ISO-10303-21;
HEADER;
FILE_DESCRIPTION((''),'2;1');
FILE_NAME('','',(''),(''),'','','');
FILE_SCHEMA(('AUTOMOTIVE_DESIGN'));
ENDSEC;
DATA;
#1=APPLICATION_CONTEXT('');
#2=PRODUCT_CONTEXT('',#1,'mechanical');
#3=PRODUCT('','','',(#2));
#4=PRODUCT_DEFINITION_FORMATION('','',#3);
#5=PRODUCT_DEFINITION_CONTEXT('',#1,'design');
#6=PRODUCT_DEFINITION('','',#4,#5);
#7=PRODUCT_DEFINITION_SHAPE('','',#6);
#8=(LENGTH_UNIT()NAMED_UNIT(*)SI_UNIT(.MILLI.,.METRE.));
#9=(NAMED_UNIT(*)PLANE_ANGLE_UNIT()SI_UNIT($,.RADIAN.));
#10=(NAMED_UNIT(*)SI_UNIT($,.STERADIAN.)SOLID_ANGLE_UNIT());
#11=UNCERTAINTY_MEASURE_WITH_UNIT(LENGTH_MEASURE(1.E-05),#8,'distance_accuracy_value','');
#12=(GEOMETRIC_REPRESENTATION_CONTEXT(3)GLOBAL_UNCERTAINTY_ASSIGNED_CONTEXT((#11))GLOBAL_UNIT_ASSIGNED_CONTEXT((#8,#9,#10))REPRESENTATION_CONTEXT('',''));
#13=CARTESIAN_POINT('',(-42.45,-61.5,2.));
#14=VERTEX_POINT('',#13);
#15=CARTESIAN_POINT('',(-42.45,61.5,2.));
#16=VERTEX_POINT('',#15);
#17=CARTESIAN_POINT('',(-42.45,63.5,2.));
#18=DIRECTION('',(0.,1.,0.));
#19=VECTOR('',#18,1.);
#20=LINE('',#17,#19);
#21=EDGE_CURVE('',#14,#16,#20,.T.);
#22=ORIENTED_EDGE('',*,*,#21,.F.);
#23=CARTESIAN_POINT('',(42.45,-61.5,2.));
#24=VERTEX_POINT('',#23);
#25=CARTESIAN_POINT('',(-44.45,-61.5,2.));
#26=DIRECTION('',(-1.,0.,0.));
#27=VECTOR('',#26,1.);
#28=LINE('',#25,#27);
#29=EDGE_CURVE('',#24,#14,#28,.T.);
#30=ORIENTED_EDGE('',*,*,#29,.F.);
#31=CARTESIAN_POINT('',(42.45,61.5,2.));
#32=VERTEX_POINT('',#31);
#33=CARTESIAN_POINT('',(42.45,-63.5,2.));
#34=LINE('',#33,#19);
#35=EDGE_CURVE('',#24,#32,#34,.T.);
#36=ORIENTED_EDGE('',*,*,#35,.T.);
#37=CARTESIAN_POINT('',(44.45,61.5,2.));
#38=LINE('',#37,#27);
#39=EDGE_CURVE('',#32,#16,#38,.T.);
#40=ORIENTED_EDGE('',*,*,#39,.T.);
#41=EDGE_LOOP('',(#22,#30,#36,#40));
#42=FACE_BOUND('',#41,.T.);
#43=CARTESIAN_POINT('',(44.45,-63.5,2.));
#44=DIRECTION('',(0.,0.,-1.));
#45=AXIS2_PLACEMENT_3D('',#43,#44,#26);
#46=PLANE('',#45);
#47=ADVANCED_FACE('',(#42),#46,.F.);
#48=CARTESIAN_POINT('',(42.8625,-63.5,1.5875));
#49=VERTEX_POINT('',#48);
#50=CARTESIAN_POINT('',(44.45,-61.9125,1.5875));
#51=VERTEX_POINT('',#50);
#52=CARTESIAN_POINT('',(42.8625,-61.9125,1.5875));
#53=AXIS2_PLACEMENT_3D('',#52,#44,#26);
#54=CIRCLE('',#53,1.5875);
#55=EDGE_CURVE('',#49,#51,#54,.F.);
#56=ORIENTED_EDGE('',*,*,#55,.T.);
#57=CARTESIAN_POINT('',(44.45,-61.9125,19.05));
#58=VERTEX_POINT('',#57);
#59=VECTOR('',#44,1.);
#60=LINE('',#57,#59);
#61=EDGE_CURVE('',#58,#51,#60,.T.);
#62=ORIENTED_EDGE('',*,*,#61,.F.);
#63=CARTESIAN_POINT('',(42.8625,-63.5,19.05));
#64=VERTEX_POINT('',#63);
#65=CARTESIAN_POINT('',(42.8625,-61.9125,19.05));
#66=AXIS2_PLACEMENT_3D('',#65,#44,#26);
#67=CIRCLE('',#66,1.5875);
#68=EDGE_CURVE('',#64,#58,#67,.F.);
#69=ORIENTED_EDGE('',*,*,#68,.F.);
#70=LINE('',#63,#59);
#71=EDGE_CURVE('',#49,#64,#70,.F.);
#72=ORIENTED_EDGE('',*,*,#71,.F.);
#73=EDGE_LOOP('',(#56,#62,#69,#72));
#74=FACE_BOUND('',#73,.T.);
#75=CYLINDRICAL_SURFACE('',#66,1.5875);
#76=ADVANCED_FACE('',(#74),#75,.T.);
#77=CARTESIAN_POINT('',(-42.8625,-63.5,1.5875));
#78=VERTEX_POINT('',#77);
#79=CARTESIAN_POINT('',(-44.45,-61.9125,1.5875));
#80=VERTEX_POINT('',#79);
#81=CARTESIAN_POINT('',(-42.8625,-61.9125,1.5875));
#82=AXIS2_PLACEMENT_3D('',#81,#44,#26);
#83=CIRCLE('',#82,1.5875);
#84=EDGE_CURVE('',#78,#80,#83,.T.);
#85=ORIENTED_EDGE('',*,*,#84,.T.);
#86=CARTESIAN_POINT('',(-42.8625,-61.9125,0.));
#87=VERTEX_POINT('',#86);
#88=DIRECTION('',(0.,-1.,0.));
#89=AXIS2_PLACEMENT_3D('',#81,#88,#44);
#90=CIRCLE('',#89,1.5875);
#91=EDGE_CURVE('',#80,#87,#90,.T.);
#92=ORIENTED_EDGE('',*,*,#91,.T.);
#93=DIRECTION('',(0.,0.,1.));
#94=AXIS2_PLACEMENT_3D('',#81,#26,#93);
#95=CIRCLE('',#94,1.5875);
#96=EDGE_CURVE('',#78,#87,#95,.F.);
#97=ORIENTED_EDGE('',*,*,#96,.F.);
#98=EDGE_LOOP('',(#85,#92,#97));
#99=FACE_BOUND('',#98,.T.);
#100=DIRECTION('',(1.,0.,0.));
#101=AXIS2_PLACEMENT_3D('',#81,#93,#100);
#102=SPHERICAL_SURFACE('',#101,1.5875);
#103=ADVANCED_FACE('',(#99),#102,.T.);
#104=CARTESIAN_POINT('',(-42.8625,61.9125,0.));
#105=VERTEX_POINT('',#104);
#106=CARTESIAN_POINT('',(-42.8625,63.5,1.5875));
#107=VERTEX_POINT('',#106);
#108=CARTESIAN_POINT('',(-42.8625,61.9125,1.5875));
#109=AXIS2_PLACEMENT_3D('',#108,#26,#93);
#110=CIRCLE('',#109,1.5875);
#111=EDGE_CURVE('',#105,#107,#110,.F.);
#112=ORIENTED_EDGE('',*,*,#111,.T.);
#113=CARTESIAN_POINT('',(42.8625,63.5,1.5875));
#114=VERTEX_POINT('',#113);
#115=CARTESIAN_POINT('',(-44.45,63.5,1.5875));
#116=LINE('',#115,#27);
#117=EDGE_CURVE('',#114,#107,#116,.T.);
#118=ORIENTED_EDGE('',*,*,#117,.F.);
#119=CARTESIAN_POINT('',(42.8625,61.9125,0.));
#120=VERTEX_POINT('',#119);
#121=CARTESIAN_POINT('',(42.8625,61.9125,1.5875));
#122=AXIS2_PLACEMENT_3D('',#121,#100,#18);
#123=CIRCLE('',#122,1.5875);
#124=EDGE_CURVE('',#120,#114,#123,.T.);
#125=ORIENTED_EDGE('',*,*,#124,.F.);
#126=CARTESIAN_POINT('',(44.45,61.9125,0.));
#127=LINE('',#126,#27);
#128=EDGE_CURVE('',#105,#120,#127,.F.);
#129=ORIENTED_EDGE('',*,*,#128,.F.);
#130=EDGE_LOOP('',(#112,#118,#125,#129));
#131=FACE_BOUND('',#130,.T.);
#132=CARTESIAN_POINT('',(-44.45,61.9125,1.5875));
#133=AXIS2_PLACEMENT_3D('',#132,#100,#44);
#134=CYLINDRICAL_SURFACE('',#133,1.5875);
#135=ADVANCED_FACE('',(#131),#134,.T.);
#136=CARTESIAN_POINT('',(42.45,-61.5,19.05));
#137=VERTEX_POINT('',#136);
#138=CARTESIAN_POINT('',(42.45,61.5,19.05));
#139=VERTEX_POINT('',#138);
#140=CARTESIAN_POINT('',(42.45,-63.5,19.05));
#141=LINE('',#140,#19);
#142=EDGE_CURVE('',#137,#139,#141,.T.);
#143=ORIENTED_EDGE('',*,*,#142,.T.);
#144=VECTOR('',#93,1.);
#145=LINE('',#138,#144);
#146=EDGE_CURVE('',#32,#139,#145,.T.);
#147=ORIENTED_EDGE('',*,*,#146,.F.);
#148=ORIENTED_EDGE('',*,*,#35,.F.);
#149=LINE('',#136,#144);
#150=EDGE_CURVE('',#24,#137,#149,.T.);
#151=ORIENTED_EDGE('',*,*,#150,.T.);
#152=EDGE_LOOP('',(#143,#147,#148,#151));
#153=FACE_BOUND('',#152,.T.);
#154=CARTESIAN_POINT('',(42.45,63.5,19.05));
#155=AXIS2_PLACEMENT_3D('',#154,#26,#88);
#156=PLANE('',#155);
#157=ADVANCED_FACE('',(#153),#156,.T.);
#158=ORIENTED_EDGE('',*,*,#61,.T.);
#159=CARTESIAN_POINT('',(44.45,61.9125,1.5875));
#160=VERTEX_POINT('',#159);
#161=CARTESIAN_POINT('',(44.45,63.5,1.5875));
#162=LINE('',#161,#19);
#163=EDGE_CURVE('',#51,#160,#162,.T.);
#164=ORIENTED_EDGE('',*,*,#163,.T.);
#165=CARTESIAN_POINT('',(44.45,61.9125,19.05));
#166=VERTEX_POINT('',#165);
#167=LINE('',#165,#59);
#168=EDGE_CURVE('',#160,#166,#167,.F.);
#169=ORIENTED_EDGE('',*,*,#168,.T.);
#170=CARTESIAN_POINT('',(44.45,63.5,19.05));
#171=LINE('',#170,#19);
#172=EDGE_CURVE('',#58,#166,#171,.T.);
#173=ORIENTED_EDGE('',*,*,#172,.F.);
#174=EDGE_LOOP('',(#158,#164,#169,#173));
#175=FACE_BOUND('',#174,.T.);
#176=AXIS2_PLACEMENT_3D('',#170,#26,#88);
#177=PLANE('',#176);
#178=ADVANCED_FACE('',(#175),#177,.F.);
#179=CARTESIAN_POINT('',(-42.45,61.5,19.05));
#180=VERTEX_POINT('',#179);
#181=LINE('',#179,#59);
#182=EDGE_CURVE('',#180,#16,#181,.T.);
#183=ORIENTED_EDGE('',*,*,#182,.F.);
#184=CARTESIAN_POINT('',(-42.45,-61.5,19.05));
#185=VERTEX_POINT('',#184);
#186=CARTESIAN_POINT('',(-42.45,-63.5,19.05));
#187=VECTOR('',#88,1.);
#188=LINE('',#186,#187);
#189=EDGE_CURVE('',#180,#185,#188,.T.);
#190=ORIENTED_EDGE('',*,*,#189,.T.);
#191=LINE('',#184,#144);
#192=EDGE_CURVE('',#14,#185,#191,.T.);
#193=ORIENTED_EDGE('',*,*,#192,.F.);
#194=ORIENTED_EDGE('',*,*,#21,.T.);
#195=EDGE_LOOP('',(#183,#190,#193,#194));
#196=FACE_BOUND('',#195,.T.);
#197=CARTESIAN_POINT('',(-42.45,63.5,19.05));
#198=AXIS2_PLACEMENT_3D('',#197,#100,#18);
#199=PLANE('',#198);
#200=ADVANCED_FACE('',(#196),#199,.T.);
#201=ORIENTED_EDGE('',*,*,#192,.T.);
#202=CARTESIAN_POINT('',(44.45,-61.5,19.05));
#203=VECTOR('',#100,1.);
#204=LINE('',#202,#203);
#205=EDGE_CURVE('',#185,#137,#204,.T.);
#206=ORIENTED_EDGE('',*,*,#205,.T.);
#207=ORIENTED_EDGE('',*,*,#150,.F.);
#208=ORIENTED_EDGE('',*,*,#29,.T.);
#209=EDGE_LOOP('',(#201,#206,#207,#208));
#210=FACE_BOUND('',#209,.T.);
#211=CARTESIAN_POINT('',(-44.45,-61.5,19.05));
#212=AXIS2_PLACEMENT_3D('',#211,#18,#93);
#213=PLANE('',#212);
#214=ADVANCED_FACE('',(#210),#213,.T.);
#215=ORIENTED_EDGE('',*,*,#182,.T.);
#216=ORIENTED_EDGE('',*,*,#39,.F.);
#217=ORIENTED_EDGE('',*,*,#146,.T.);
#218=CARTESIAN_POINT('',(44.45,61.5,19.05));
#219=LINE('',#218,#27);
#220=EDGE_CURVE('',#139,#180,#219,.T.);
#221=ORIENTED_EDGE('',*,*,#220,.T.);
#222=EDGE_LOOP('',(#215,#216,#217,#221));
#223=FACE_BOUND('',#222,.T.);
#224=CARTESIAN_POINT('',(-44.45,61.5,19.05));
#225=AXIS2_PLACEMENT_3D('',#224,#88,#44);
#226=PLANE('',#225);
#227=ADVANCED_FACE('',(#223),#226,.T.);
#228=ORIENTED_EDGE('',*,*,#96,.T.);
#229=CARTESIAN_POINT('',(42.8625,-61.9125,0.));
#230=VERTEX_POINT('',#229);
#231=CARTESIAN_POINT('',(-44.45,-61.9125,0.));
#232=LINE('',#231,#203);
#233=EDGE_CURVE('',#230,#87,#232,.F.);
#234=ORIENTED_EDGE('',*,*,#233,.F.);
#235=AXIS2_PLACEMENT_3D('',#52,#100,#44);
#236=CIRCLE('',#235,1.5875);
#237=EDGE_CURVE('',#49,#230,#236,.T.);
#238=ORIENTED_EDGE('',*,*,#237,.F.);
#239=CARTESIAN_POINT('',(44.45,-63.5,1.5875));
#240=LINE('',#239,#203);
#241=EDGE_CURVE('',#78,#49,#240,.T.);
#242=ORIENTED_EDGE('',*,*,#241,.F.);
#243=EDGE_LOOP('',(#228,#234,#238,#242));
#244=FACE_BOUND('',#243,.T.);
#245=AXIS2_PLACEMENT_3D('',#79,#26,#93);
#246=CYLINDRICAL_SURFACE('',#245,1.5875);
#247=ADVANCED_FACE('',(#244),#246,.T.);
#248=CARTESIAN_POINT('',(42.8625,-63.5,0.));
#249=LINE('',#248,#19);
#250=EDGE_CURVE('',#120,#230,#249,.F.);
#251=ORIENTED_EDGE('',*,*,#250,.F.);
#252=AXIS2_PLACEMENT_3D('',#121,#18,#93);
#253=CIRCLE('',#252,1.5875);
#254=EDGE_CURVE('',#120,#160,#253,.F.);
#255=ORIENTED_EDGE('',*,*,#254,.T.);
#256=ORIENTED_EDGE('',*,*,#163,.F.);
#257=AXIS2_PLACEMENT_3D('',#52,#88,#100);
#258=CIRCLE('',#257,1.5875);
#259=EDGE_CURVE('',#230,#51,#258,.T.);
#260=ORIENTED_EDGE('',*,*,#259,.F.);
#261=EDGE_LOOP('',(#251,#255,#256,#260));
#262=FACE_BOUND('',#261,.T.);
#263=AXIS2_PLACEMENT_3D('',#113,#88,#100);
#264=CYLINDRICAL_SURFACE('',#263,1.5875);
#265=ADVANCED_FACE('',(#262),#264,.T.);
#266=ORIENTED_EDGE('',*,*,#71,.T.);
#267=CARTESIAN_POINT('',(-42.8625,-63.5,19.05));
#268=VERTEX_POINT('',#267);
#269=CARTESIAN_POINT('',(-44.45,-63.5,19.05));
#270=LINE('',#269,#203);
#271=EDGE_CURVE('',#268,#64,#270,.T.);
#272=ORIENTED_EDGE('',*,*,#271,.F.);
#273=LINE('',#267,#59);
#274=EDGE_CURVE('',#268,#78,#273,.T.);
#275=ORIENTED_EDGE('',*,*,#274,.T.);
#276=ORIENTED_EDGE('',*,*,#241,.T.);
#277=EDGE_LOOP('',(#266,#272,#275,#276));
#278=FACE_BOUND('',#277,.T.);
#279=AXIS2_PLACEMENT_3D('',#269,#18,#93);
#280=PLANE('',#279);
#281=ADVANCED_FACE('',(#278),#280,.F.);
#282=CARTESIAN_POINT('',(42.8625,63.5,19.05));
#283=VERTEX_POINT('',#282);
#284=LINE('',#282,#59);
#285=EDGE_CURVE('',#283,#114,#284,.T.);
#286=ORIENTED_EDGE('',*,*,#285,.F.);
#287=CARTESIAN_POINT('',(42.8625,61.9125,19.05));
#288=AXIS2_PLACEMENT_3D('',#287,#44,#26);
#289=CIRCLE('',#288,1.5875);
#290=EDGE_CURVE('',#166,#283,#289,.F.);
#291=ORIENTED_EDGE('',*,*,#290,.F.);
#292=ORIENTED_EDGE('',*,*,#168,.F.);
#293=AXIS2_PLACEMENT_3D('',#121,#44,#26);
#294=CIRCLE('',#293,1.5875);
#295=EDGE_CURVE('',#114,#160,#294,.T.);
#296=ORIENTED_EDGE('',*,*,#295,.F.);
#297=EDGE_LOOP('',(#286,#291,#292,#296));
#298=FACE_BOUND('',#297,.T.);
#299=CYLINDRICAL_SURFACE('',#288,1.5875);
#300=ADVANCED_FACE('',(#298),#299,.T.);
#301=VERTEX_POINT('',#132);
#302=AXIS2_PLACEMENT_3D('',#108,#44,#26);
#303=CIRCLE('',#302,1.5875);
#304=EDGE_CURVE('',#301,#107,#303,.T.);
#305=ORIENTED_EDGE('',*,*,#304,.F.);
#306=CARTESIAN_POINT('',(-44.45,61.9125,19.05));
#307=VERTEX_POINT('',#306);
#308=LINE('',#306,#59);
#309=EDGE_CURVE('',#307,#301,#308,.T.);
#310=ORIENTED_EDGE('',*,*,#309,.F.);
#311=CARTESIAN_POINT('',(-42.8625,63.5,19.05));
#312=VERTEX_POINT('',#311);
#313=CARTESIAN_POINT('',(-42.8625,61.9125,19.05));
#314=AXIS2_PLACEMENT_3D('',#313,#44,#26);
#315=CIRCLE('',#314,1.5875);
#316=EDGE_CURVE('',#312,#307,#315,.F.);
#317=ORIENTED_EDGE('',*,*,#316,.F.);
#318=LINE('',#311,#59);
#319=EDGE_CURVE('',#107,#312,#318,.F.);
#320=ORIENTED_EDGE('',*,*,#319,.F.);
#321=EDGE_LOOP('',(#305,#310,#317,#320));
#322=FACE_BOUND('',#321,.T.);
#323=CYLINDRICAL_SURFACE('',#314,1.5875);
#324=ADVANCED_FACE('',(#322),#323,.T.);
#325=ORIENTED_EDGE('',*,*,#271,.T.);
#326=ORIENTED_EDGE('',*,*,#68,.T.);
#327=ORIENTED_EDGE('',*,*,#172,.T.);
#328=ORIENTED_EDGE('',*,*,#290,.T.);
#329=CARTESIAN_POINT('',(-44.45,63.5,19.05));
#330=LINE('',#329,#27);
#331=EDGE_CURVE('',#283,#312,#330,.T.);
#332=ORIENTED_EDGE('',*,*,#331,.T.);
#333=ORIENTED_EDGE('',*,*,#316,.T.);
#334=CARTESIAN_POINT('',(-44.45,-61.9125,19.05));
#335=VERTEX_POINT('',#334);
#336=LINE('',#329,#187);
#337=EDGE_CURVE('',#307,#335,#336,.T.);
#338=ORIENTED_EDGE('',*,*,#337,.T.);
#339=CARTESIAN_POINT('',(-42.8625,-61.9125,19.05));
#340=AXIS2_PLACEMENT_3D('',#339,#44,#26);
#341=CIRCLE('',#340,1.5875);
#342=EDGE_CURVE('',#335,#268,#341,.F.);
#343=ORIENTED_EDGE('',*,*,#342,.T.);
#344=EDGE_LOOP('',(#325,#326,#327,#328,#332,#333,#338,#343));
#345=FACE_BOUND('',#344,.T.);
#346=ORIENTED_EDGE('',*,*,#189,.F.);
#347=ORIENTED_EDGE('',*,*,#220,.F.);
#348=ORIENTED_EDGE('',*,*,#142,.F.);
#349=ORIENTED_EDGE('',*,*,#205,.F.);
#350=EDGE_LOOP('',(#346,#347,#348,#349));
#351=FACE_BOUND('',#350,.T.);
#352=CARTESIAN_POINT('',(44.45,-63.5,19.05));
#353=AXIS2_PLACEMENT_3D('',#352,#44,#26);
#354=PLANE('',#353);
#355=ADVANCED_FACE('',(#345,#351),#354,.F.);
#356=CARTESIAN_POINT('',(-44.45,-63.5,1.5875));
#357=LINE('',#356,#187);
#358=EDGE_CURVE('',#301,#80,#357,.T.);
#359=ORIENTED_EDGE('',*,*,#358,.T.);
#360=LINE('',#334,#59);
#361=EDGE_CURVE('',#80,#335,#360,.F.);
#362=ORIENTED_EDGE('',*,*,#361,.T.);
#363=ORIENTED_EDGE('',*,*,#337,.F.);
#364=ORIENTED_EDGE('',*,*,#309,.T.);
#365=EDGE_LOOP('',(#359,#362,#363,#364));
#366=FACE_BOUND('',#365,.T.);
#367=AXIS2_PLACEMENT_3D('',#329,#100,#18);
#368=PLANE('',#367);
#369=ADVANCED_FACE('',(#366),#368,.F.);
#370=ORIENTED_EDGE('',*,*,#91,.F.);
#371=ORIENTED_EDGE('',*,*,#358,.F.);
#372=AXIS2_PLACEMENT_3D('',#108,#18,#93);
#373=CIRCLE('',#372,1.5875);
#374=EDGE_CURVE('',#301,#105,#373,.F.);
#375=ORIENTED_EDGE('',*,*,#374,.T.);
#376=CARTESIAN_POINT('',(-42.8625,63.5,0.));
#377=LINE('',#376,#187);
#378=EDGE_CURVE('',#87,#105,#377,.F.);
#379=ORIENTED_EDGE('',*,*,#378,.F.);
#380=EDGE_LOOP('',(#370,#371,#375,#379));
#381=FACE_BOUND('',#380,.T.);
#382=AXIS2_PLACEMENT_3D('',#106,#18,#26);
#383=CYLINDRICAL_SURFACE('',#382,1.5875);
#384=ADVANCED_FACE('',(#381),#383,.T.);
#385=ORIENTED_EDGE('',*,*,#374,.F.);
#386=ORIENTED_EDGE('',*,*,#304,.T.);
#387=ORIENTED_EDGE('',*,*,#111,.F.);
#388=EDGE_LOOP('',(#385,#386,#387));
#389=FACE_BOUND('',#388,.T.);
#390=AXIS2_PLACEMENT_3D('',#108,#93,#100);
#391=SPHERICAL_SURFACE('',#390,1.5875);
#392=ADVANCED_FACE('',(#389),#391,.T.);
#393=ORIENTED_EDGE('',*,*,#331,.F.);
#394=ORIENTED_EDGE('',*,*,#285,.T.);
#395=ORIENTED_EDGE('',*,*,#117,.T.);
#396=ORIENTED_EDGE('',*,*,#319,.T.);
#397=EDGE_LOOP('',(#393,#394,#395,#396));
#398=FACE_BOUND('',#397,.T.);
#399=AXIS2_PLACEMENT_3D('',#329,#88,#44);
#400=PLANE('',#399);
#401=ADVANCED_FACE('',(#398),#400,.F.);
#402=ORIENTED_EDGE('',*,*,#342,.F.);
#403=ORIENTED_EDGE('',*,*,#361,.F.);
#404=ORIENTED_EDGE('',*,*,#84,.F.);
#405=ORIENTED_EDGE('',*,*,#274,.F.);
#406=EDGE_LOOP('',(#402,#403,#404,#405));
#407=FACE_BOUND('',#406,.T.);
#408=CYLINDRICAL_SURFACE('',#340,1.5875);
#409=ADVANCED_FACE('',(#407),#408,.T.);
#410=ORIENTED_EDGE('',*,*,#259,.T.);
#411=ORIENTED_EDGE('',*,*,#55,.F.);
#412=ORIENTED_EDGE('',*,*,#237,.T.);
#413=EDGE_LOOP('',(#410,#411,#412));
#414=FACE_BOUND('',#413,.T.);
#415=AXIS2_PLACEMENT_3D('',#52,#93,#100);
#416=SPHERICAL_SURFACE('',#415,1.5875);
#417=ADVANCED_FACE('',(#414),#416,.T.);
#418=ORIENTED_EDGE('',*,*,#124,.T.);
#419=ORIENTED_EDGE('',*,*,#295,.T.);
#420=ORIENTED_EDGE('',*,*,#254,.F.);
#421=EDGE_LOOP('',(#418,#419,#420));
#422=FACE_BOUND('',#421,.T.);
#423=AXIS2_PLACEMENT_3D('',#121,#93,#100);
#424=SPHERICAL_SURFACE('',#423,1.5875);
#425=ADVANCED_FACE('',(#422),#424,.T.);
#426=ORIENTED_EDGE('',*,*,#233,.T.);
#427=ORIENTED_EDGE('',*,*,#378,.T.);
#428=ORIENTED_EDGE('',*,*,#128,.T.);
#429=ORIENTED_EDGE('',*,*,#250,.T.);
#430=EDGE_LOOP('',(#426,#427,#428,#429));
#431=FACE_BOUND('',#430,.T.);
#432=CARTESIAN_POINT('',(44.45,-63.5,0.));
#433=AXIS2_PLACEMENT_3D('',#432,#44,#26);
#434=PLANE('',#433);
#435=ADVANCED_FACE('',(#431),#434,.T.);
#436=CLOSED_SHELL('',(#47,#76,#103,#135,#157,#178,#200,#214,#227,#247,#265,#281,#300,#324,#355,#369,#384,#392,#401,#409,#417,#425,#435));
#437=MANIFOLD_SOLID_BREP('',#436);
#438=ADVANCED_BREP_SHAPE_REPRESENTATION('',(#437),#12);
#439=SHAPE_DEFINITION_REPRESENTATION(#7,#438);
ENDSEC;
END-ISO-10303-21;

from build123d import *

# Parameters (mm, degrees)
SKETCH1_W           = 88.9
SKETCH1_H           = 127
BOSS_EXTRUDE1_DEPTH = 19.05
FILLET1_R           = 1.5875
SHELL1_T            = -2


with BuildPart() as part:
    # Sketch1 → Boss-Extrude1 (new body)
    with BuildSketch(Plane.XY):
        Rectangle(SKETCH1_W, SKETCH1_H)
    extrude(amount=BOSS_EXTRUDE1_DEPTH)

    # Fillet1
    fillet1_edges = [part.edges().sort_by_distance(p)[0] for p in [
        (-44.45, 0, 0),
        (0, 63.5, 0),
        (44.45, 0, 0),
        (0, -63.5, 0),
        (-44.45, -63.5, 9.525),
        (-44.45, 63.5, 9.525),
        (44.45, 63.5, 9.525),
        (44.45, -63.5, 9.525),
    ]]
    fillet(fillet1_edges, radius=FILLET1_R)

    # Shell1
    shell1_openings = [part.faces().sort_by_distance(p)[0] for p in [
        (0, 0, 19.05),
    ]]
    offset(amount=SHELL1_T, openings=shell1_openings, kind=Kind.INTERSECTION)


solid = part.part
